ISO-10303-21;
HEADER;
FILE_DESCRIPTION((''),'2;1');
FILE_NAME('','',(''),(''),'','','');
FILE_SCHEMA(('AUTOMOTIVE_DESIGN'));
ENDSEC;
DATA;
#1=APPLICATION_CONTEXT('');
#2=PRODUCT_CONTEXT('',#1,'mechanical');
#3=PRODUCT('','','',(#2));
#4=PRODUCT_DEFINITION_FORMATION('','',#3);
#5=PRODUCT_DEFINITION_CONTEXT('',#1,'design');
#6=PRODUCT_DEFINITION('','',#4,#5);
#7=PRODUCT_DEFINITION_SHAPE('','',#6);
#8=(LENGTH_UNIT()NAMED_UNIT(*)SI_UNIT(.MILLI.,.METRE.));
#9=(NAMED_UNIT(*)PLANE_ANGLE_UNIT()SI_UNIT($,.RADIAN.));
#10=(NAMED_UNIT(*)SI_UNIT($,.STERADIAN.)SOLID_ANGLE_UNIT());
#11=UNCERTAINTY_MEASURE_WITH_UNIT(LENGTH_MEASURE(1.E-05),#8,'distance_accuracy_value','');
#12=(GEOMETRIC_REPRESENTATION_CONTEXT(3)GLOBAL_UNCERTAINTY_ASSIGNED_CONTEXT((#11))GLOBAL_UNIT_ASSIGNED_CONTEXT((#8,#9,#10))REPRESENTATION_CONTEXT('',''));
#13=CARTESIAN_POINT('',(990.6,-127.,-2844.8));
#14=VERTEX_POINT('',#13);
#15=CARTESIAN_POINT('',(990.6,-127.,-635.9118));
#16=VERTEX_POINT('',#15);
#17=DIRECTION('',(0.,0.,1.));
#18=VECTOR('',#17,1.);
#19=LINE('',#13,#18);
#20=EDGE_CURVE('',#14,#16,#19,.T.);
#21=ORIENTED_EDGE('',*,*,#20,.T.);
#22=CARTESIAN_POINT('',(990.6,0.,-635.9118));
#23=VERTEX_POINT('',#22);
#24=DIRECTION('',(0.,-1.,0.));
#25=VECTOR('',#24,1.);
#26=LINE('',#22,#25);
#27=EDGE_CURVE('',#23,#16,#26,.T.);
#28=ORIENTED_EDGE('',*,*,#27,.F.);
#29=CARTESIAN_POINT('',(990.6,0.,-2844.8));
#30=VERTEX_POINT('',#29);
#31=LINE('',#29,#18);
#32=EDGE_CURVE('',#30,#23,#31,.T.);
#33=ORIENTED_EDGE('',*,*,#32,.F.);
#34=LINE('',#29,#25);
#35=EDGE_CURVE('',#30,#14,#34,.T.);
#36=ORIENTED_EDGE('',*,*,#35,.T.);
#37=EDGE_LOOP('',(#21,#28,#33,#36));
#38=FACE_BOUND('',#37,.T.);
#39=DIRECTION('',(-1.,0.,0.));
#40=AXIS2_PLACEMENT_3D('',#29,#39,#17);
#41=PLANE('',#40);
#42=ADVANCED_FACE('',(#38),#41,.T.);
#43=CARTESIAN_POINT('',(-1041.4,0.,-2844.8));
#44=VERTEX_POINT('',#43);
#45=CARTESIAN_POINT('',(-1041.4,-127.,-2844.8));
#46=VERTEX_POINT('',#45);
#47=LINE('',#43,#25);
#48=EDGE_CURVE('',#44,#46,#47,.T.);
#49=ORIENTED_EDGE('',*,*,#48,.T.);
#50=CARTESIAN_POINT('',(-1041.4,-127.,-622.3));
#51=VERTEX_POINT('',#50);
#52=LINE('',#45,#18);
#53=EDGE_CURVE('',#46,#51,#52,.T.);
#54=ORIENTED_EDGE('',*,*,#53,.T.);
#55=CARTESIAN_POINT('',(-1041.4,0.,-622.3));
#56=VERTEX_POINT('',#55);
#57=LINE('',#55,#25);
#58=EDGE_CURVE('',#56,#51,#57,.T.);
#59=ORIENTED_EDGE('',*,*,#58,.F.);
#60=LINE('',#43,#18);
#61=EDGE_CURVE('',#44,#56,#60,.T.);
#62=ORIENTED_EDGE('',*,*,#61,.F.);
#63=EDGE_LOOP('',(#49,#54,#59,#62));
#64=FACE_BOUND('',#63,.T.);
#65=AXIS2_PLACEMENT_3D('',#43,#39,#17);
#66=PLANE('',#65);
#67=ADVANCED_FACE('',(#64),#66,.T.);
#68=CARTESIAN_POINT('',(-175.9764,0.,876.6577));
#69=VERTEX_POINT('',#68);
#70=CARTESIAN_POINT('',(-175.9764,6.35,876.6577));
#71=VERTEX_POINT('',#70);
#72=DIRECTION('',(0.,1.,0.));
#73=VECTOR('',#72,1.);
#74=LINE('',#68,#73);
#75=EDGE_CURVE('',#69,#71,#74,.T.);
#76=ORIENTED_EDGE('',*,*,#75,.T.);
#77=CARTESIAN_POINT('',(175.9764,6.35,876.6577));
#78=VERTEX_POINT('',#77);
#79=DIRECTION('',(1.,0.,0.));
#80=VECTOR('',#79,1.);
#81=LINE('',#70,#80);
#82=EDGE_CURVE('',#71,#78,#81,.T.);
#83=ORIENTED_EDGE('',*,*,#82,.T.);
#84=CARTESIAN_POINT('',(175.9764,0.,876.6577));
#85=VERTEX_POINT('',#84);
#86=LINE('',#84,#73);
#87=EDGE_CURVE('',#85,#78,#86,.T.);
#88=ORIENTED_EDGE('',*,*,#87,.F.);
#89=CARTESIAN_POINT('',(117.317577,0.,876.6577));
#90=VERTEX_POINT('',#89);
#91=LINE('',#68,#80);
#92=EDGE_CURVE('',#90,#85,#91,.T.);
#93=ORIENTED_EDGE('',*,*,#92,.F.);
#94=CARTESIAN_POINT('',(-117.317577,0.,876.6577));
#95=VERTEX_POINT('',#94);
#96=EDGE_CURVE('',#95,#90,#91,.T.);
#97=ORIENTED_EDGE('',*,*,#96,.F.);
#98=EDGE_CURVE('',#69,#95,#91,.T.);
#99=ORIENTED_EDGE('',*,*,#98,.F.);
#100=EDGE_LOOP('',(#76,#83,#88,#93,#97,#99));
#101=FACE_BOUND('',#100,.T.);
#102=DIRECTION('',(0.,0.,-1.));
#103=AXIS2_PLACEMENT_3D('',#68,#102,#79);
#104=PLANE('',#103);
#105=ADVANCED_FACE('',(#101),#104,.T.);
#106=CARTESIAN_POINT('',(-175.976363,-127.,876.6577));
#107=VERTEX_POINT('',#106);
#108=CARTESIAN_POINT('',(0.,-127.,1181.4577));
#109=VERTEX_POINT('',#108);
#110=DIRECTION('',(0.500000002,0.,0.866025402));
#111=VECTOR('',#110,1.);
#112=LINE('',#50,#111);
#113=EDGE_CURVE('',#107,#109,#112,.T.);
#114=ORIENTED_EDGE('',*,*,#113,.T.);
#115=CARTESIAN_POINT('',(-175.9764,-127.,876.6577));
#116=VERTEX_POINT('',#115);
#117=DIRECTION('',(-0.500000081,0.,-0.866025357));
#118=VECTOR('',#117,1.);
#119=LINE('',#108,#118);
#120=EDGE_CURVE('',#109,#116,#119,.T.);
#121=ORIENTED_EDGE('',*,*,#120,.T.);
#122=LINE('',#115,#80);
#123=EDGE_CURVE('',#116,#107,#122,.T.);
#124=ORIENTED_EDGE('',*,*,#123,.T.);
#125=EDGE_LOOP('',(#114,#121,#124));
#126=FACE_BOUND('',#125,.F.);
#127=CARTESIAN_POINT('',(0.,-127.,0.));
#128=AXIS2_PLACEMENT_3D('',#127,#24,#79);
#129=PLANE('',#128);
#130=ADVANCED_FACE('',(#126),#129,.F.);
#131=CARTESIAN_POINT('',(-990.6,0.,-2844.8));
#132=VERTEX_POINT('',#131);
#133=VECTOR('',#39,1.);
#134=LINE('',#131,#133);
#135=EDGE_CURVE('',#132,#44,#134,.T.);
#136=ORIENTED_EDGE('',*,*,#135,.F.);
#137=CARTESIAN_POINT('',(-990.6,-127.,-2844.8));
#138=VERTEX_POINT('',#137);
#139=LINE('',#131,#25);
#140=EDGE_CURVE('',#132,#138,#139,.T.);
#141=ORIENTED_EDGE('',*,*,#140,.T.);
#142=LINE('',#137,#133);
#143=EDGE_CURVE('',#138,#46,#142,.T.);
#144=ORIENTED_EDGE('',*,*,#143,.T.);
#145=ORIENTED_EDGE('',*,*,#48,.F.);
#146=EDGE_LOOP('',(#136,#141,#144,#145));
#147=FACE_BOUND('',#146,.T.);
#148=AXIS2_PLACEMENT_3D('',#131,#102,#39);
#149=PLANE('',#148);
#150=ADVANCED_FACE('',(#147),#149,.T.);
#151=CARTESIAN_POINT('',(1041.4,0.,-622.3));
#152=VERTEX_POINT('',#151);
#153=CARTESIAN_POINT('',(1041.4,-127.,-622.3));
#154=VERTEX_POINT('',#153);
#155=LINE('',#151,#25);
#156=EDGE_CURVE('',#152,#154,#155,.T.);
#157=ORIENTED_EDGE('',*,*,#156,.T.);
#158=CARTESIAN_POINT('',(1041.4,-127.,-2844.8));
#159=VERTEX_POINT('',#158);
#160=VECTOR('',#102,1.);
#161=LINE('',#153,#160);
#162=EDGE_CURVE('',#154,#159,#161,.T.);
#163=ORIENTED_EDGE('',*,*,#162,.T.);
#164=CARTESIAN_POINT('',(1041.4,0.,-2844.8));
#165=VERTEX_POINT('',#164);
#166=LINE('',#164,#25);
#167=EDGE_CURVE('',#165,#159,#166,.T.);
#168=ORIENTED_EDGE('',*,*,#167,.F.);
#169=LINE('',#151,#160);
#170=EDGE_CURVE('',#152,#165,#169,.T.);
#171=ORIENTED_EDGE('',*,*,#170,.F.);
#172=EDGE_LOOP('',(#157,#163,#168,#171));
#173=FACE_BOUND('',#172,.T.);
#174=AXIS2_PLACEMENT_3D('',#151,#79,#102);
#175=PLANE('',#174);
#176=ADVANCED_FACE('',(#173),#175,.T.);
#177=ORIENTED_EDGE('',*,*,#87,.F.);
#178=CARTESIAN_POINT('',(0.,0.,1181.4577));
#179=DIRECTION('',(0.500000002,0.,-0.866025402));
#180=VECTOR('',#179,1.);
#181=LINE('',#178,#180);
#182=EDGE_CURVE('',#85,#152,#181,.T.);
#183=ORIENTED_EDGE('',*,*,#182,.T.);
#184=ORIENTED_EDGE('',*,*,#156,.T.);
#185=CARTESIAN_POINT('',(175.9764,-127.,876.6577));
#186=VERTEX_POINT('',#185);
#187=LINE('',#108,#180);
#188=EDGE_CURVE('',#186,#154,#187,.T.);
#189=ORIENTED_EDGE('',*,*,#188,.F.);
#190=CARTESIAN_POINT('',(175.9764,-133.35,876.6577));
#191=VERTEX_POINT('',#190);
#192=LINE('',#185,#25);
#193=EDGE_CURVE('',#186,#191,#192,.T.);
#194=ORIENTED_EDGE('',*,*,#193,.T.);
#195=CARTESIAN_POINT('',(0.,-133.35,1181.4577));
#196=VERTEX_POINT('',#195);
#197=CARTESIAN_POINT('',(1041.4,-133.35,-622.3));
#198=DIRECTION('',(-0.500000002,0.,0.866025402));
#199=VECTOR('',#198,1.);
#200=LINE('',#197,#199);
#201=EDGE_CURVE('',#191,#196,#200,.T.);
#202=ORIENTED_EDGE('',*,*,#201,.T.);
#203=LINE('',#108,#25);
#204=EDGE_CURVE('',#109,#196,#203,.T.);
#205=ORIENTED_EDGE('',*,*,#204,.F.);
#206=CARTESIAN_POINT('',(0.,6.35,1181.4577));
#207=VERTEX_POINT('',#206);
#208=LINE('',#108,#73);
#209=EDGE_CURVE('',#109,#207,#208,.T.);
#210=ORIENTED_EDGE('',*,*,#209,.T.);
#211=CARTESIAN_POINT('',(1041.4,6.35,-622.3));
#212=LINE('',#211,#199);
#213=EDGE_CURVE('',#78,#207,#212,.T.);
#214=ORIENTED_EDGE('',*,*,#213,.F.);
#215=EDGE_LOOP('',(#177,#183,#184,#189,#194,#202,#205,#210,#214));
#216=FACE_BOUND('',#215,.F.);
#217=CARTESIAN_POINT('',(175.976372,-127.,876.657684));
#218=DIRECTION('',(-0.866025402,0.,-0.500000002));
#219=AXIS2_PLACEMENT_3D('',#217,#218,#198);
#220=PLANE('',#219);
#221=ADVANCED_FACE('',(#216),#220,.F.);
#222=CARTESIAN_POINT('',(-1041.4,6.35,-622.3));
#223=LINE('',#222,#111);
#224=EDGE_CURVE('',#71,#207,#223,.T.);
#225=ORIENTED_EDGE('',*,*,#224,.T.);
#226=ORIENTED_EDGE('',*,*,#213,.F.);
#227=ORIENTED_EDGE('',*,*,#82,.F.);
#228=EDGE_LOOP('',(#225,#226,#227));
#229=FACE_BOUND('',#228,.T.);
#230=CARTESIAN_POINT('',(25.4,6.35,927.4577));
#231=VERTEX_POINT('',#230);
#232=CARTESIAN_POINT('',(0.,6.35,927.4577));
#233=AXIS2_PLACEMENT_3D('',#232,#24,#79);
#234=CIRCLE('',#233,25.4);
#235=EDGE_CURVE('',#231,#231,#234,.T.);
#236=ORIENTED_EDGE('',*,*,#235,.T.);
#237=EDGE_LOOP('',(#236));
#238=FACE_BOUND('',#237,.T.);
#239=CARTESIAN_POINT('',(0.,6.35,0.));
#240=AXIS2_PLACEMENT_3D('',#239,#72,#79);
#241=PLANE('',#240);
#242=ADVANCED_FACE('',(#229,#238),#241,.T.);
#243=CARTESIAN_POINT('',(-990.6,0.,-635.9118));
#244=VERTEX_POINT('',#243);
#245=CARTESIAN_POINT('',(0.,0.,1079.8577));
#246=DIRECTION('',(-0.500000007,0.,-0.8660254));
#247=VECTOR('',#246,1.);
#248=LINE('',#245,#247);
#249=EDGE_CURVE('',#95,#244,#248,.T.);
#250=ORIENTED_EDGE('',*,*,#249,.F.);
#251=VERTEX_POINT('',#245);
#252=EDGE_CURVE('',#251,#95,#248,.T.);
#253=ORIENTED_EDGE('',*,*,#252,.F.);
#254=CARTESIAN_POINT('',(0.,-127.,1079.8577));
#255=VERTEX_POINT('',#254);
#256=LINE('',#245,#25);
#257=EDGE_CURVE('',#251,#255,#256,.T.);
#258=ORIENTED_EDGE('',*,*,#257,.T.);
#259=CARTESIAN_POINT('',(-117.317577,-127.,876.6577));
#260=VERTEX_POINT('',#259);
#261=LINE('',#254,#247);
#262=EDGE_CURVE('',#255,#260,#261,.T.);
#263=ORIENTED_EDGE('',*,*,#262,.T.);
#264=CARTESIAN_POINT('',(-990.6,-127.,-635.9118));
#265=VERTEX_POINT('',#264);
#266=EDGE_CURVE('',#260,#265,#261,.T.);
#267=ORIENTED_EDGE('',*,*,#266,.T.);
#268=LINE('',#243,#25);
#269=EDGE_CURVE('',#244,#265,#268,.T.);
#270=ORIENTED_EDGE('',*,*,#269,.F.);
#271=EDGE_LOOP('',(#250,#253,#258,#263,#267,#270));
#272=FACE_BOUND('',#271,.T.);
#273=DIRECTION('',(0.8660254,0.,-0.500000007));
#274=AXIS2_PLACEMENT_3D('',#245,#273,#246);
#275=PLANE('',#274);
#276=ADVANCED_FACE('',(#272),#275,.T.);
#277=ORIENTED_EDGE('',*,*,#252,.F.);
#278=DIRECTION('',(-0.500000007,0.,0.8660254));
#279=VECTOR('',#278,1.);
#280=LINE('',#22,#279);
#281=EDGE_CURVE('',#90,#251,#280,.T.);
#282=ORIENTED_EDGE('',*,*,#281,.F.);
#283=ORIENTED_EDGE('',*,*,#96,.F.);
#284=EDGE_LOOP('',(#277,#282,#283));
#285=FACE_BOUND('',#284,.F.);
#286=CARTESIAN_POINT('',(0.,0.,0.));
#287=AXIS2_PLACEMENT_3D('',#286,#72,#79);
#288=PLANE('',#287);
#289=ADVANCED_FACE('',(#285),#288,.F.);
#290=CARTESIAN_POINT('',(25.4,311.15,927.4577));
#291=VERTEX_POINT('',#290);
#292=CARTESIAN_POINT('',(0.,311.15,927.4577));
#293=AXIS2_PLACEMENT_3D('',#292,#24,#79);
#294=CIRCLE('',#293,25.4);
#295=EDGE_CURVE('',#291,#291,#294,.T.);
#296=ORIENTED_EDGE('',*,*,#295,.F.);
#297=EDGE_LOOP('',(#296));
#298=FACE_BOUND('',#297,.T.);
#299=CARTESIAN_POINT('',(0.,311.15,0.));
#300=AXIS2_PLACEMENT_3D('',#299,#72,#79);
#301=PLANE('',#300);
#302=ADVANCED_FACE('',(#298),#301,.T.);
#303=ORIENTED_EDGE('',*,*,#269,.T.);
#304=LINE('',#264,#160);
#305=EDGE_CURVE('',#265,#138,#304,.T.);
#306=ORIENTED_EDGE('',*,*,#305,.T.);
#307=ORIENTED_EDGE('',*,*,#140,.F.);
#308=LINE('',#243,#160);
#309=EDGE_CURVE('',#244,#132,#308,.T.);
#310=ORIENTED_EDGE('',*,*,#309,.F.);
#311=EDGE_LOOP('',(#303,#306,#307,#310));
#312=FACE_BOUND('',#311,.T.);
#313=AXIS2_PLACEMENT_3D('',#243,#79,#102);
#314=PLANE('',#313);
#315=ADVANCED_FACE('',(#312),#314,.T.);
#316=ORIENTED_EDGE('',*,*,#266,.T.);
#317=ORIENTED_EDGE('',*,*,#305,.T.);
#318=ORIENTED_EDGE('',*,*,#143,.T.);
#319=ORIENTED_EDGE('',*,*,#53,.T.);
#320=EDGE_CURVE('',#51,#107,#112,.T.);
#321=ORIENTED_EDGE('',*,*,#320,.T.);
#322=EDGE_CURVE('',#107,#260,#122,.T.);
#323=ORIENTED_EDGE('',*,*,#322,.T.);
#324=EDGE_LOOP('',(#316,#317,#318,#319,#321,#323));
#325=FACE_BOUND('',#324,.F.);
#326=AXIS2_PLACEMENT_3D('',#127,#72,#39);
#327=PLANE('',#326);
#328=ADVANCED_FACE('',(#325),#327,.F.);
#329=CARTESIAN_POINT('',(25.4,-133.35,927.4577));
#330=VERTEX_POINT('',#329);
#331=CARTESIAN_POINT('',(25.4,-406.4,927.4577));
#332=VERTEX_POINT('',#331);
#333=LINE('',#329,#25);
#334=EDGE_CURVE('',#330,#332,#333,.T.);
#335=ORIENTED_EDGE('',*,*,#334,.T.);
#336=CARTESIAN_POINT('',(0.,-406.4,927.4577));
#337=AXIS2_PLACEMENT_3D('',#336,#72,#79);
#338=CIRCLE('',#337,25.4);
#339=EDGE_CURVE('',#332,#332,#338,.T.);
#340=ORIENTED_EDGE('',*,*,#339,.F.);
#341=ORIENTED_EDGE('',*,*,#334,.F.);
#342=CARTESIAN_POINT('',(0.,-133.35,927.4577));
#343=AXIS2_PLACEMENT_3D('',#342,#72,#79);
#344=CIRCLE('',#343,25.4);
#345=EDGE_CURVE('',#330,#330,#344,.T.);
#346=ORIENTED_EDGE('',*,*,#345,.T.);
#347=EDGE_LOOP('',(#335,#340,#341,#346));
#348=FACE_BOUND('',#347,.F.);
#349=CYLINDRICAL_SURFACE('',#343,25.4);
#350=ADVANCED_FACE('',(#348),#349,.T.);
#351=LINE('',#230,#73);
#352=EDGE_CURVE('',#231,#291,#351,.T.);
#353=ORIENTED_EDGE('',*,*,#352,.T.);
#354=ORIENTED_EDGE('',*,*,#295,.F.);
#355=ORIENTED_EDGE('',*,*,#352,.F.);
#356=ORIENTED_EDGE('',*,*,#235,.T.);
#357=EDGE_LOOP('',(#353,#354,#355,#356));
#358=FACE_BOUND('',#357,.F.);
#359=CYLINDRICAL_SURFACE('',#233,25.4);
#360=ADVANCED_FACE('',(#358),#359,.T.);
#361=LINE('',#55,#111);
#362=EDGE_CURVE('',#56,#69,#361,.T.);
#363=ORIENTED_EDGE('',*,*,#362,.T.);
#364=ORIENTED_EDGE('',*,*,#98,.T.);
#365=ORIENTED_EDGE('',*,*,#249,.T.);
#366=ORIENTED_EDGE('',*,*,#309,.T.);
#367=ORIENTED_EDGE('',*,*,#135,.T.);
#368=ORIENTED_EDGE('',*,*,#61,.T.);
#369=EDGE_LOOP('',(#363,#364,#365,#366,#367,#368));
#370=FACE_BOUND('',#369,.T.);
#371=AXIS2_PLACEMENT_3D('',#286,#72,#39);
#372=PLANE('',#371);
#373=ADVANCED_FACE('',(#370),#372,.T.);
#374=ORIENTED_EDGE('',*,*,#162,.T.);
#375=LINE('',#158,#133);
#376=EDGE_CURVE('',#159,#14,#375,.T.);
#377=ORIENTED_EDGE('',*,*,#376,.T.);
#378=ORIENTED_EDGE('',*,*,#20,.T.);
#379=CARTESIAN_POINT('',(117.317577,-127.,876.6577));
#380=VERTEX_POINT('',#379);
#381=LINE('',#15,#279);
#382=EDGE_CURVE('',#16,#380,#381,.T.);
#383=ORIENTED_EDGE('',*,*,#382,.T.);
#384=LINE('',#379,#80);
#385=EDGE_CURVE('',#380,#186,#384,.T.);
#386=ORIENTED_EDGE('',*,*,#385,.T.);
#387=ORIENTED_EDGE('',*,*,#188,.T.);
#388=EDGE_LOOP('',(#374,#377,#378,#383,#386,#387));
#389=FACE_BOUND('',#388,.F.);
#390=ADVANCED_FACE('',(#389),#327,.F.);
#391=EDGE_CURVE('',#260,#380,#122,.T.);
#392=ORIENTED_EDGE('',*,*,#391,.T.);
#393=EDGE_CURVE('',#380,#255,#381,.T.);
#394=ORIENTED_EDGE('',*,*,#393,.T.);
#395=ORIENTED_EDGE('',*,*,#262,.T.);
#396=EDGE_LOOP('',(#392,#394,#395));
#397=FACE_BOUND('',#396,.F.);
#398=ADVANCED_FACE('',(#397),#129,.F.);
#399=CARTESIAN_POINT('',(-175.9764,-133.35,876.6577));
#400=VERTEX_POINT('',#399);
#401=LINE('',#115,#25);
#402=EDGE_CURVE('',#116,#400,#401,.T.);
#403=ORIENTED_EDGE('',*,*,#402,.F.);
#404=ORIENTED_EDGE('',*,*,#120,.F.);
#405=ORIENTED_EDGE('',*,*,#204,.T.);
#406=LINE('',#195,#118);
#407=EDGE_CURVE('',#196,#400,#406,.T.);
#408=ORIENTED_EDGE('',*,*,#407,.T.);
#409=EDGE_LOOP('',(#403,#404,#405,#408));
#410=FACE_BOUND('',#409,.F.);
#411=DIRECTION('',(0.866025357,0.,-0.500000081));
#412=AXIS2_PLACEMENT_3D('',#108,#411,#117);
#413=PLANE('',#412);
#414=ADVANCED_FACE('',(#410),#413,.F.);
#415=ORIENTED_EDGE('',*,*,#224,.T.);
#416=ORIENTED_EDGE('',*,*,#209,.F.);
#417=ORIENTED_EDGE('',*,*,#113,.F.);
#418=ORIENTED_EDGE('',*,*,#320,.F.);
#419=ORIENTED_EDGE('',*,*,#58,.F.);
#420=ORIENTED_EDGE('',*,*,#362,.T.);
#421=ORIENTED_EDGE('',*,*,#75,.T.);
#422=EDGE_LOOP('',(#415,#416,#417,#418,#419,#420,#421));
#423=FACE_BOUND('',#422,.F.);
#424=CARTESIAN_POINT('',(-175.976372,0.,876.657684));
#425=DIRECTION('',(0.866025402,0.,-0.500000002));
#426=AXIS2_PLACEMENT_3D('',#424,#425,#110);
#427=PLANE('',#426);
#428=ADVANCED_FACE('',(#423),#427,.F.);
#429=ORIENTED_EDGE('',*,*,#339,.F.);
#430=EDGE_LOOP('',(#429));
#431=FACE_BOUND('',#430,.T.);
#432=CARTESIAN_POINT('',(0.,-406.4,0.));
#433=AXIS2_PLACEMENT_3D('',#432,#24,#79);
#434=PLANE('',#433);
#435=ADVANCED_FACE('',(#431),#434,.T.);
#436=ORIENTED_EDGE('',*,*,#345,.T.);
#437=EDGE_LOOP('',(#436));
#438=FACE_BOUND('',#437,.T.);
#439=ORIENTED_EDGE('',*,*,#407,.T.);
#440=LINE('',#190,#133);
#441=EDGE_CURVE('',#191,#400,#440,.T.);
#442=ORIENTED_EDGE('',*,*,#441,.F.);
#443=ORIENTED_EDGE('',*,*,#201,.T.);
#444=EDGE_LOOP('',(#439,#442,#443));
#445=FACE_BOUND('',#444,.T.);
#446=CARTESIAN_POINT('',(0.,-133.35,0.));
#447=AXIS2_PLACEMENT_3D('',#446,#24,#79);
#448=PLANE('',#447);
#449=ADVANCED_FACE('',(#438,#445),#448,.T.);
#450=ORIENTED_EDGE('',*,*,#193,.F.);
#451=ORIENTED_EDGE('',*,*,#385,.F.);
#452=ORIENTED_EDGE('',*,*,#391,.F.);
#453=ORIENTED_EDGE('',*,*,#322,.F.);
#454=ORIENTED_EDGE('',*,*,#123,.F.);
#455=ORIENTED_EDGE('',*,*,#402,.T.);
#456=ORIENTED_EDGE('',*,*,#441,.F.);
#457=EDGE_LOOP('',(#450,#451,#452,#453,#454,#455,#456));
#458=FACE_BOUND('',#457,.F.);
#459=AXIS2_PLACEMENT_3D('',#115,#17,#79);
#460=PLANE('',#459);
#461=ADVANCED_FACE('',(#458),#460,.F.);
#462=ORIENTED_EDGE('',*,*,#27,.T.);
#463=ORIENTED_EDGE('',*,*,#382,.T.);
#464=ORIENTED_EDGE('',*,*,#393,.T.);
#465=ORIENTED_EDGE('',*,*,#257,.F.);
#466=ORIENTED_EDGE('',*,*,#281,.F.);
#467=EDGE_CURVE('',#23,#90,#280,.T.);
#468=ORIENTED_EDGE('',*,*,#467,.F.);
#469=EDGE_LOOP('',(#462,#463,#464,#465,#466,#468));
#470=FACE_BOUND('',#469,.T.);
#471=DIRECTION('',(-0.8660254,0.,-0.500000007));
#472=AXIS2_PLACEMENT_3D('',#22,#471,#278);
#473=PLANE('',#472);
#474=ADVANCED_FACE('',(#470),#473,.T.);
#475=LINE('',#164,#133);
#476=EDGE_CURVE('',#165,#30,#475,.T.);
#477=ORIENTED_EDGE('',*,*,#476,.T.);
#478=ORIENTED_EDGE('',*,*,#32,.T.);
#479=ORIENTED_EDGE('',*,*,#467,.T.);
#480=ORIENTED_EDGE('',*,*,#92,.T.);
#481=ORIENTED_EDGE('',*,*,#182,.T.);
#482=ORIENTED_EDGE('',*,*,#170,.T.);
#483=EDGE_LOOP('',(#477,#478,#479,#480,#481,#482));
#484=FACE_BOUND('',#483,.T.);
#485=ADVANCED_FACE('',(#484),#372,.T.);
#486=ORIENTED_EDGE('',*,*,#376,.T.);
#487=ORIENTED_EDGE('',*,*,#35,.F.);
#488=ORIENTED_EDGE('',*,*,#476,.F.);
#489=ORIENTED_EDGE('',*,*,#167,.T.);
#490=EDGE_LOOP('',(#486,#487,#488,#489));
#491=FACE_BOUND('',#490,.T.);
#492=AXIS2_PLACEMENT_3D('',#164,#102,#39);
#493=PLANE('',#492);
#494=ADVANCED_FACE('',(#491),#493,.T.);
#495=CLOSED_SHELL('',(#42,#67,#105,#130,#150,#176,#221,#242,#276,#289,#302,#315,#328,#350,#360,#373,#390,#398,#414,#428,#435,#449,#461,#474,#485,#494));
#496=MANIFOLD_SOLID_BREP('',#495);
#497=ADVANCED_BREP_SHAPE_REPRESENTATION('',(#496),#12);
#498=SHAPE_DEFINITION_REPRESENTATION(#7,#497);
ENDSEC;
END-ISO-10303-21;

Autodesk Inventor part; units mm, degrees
ref_plane "YZ Plane" through (0, 0, 0) normal (1, 0, 0) x (0, 1, 0)
ref_plane "XZ Plane" through (0, 0, 0) normal (0, 1, 0) x (-1, 0, 0)
ref_plane "XY Plane" through (0, 0, 0) normal (0, 0, 1) x (1, 0, 0)
sketch "Sketch1" plane through (0, 0, 0) normal (0, 1, 0) x (-1, 0, 0)
  line L0 (0, 0) -> (0, 1079.8577)
  line L1 (0, 1079.8577) -> (990.6, -635.9118)
  line L2 (990.6, -635.9118) -> (990.6, -2844.8)
  line L3 (990.6, -2844.8) -> (1041.4, -2844.8)
  line L4 (1041.4, -2844.8) -> (1041.4, -622.3)
  line L5 (1041.4, -622.3) -> (0, 1181.4577)
  line L6 (0, 1181.4577) -> (-1041.4, -622.3)
  line L7 (-1041.4, -622.3) -> (-1041.4, -2844.8)
  line L8 (-1041.4, -2844.8) -> (-990.6, -2844.8)
  line L9 (-990.6, -2844.8) -> (-990.6, -635.9118)
  line L10 (-990.6, -635.9118) -> (0, 1079.8577)
  line L11 (0, 1079.8577) -> (0, 1181.4577)
  dimension "d0" = 2082.8
  dimension "d1" = 50.8
  dimension "d3" = 150
  dimension "d4" = 622.3
  dimension "d5" = 50.8
  dimension "d21" = 2222.5
extrude "Extrusion1" add sketch "Sketch1" against normal blind 127
sketch "Sketch2" plane through (0, 0, 0) normal (0, 1, 0) x (1, 0, 0)
  line L0 (-1041.4, 622.3) -> (0, -1181.4577) projected
  line L1 (-175.9764, -876.6577) -> (175.9764, -876.6577)
  line L2 (1041.4, 622.3) -> (0, -1181.4577) projected
  line L3 (175.9764, -876.6577) -> (0, -1181.4577)
  line L4 (0, -1181.4577) -> (-175.9764, -876.6577)
  line L5 (0, -1079.8577) -> (-990.6, 635.9118) projected
  point P0 (0, 0)
  dimension "d8" = 304.8
extrude "Extrusion2" add sketch "Sketch2" along normal blind 6.35
sketch "Sketch3" plane through (0, -127, 0) normal (0, -1, 0) x (1, 0, 0)
  line L0 (-1041.4, -622.3) -> (-175.9764, 876.6577) projected
  line L1 (117.3176, 876.6577) -> (175.9764, 876.6577) projected
  line L2 (-175.9764, 876.6577) -> (175.9764, 876.6577)
  line L3 (1041.4, -622.3) -> (0, 1181.4577) projected
  line L4 (175.9764, 876.6577) -> (0, 1181.4577)
  line L5 (0, 1181.4577) -> (-175.9764, 876.6577)
  point P0 (0, 0)
extrude "Extrusion3" add sketch "Sketch3" along normal blind 6.35
sketch "Sketch4" plane through (0, 6.35, 0) normal (0, 1, 0) x (1, 0, 0)
  circle A0 centre (0, -927.4577) radius 25.4
  line L0 (0, -927.4577) -> (0, -876.6577)
  line L1 (117.3176, -876.6577) -> (-117.3176, -876.6577) projected
  point P0 (0, 0)
  dimension "d13" = 50.8
  dimension "d14" = 50.8
extrude "Extrusion4" add sketch "Sketch4" along normal blind 304.8
sketch "Sketch5" plane through (0, -133.35, 0) normal (0, -1, 0) x (1, 0, 0)
  line L0 (175.9764, 876.6577) -> (-175.9764, 876.6577) projected
  line L1 (0, 876.6577) -> (0, 927.4577)
  circle A0 centre (0, 927.4577) radius 25.4
  point P0 (0, 0)
  dimension "d17" = 50.8
  dimension "d18" = 50.8
extrude "Extrusion5" add sketch "Sketch5" along normal blind 273.05
properties part number "Hauling_Wishbone"
